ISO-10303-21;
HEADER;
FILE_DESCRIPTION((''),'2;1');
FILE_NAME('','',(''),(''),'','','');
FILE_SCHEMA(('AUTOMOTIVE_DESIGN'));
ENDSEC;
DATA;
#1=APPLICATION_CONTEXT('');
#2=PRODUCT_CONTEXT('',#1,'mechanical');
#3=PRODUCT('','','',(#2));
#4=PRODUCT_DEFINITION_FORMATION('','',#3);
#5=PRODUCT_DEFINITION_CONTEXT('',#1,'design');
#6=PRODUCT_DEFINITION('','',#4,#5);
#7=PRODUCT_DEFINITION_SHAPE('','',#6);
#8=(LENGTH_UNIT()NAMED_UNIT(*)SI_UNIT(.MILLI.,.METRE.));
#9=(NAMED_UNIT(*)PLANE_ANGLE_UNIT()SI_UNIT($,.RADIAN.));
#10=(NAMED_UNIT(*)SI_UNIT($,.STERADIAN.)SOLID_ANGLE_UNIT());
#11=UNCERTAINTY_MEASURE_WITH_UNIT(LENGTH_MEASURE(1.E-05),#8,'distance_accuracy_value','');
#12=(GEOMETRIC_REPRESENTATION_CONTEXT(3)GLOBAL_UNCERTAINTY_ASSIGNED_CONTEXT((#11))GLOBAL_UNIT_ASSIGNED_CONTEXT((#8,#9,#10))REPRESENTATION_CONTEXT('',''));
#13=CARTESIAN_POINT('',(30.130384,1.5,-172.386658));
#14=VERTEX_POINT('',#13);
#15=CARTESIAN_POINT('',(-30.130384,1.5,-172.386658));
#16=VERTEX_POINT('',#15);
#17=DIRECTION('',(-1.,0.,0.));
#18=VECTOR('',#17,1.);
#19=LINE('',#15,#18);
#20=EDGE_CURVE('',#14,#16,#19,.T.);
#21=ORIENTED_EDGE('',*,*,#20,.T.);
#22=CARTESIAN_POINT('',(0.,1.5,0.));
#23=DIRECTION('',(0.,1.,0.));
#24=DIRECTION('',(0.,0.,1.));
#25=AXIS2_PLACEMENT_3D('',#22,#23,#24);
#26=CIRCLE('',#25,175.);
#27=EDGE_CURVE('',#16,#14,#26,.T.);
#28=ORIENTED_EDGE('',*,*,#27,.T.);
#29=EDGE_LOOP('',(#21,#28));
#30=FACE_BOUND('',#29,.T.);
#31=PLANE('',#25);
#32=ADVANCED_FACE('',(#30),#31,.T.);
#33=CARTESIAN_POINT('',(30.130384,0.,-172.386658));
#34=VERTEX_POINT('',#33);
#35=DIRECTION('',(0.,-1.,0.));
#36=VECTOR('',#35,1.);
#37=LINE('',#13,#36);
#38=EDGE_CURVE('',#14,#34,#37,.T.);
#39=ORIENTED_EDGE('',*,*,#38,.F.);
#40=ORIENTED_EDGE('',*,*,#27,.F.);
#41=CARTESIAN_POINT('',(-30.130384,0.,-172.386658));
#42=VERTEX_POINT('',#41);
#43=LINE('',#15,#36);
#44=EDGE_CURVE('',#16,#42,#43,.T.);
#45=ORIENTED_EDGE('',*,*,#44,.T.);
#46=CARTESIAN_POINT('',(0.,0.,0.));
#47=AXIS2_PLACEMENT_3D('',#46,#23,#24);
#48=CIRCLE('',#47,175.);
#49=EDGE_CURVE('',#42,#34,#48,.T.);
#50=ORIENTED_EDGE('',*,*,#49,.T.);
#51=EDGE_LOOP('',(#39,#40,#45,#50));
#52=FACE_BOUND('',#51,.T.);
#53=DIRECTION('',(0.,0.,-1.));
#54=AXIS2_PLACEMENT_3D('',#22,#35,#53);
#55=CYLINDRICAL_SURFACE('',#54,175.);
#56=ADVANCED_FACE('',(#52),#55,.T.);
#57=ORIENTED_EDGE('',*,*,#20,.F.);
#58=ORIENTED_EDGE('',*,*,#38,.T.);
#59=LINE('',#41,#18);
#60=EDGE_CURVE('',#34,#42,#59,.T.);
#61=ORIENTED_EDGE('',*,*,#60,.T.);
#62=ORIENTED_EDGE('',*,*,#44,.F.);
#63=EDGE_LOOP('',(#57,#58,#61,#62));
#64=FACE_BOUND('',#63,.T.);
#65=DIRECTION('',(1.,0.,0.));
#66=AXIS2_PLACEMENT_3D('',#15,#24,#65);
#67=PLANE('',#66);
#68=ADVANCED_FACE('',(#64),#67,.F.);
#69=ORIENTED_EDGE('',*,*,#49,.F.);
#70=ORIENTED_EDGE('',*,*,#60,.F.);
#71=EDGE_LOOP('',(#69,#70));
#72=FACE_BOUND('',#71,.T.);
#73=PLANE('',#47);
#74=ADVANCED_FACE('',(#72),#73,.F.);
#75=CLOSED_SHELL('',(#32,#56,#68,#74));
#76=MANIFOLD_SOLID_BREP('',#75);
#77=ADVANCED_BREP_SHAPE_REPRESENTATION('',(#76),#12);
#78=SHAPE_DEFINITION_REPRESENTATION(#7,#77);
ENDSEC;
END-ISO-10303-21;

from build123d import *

# Parameters (mm, degrees)
BOSS_EXTRUDE1_DEPTH = 1.5


with BuildPart() as part:
    # Sketch2 → Boss-Extrude1 (new body)
    with BuildSketch(Plane(origin=(0, 0, 0), x_dir=(1, 0, 0), z_dir=(0, 1, 0))):
        with BuildLine():
            Line((-30.130383751, 172.386658344), (30.130383751, 172.386658344))
            ThreePointArc((30.130383751, 172.386658344), (0, -175), (-30.130383751, 172.386658344))
        make_face()
    extrude(amount=BOSS_EXTRUDE1_DEPTH)


solid = part.part
